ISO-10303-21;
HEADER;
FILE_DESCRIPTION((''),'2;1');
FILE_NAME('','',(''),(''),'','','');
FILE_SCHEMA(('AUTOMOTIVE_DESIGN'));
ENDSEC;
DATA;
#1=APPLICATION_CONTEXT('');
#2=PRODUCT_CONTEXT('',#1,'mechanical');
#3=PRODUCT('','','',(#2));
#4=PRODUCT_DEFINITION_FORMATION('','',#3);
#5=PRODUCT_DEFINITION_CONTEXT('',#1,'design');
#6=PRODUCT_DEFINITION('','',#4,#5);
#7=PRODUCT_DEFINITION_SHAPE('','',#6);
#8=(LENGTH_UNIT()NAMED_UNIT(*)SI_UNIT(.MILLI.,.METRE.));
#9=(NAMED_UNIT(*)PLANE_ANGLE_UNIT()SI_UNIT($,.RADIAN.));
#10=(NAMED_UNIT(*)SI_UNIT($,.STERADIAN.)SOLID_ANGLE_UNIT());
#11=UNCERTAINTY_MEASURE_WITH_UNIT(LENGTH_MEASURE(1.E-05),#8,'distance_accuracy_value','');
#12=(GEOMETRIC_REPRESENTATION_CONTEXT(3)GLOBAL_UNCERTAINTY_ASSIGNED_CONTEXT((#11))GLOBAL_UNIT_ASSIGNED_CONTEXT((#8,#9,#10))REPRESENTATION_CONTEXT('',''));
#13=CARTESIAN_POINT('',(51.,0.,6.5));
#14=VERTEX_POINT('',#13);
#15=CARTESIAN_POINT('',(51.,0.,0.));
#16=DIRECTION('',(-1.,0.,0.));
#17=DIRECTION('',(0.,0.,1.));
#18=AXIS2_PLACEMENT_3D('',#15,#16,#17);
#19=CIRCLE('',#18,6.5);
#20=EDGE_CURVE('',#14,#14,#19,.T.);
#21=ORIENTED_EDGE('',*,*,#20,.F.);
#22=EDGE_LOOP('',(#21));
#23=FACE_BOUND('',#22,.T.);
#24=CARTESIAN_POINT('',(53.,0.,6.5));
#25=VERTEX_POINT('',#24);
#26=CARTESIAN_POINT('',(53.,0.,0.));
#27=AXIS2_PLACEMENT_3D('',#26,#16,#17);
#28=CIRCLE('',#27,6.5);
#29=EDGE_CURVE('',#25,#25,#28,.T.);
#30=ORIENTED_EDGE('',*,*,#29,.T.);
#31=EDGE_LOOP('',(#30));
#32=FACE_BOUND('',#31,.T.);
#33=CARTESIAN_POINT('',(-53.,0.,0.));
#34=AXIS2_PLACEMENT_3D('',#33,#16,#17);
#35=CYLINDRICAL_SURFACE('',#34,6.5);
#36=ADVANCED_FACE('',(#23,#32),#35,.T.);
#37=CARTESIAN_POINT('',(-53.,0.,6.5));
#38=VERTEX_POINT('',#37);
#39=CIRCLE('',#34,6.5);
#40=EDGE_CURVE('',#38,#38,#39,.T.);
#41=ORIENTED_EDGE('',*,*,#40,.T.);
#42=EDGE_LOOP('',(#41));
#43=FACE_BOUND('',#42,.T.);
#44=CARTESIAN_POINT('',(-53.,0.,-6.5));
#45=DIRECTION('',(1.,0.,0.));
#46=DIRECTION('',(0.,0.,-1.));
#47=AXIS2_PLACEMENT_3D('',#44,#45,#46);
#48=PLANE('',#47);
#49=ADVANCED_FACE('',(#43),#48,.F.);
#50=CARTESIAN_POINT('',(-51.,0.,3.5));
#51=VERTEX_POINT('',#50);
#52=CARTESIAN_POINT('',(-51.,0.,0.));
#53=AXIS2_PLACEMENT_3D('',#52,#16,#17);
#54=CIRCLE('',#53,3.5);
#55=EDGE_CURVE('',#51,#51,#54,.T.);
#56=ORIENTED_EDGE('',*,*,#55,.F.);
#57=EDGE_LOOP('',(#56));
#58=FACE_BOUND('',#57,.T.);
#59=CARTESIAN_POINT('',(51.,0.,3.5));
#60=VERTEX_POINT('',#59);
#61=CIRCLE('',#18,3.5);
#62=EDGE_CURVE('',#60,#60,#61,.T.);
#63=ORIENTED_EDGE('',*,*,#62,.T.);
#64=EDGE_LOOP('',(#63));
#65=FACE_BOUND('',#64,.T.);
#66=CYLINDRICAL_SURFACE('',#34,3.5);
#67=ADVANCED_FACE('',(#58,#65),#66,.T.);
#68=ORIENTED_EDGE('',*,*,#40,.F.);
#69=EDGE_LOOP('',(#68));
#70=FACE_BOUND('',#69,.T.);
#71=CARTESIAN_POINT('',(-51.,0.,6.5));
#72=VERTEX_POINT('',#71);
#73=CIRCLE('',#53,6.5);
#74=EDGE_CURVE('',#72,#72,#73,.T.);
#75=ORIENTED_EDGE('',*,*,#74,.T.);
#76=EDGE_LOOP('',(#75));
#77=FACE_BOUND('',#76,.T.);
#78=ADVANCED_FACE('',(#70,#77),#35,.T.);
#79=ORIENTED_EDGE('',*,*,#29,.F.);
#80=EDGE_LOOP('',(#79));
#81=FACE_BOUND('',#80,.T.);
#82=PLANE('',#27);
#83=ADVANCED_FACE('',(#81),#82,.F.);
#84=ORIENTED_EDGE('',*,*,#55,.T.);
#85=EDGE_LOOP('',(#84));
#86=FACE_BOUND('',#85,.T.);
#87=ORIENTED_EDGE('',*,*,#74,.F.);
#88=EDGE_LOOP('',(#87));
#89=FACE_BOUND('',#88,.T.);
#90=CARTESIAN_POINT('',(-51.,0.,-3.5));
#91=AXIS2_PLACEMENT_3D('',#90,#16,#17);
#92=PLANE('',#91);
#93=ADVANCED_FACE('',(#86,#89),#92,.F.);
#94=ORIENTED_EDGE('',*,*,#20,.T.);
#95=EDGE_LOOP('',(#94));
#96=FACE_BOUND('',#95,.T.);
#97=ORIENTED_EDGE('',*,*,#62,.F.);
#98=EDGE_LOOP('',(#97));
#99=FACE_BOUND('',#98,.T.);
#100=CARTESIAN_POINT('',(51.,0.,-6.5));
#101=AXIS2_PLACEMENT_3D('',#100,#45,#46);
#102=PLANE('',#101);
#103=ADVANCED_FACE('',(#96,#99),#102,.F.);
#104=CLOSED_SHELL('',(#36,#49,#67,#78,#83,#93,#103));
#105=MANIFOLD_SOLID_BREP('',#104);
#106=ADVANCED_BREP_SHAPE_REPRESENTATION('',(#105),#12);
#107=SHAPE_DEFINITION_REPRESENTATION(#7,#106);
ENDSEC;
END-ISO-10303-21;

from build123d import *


with BuildPart() as part:
    # Sketch1 → Revolve1 (revolve)
    with BuildSketch(Plane(origin=(0, 0, 0), x_dir=(1, 0, 0), z_dir=(0, 1, 0)), mode=Mode.PRIVATE) as revolve1_sk:
        Polygon((53, 0), (53, 6.5), (51, 6.5), (51, 3.5), (-51, 3.5), (-51, 6.5), (-53, 6.5), (-53, 0), align=None)
    revolve(revolve1_sk.sketch.rotate(Axis((-53, 0, 0), (1, 0, 0)), 180), axis=Axis((-53, 0, 0), (1, 0, 0)))


solid = part.part
